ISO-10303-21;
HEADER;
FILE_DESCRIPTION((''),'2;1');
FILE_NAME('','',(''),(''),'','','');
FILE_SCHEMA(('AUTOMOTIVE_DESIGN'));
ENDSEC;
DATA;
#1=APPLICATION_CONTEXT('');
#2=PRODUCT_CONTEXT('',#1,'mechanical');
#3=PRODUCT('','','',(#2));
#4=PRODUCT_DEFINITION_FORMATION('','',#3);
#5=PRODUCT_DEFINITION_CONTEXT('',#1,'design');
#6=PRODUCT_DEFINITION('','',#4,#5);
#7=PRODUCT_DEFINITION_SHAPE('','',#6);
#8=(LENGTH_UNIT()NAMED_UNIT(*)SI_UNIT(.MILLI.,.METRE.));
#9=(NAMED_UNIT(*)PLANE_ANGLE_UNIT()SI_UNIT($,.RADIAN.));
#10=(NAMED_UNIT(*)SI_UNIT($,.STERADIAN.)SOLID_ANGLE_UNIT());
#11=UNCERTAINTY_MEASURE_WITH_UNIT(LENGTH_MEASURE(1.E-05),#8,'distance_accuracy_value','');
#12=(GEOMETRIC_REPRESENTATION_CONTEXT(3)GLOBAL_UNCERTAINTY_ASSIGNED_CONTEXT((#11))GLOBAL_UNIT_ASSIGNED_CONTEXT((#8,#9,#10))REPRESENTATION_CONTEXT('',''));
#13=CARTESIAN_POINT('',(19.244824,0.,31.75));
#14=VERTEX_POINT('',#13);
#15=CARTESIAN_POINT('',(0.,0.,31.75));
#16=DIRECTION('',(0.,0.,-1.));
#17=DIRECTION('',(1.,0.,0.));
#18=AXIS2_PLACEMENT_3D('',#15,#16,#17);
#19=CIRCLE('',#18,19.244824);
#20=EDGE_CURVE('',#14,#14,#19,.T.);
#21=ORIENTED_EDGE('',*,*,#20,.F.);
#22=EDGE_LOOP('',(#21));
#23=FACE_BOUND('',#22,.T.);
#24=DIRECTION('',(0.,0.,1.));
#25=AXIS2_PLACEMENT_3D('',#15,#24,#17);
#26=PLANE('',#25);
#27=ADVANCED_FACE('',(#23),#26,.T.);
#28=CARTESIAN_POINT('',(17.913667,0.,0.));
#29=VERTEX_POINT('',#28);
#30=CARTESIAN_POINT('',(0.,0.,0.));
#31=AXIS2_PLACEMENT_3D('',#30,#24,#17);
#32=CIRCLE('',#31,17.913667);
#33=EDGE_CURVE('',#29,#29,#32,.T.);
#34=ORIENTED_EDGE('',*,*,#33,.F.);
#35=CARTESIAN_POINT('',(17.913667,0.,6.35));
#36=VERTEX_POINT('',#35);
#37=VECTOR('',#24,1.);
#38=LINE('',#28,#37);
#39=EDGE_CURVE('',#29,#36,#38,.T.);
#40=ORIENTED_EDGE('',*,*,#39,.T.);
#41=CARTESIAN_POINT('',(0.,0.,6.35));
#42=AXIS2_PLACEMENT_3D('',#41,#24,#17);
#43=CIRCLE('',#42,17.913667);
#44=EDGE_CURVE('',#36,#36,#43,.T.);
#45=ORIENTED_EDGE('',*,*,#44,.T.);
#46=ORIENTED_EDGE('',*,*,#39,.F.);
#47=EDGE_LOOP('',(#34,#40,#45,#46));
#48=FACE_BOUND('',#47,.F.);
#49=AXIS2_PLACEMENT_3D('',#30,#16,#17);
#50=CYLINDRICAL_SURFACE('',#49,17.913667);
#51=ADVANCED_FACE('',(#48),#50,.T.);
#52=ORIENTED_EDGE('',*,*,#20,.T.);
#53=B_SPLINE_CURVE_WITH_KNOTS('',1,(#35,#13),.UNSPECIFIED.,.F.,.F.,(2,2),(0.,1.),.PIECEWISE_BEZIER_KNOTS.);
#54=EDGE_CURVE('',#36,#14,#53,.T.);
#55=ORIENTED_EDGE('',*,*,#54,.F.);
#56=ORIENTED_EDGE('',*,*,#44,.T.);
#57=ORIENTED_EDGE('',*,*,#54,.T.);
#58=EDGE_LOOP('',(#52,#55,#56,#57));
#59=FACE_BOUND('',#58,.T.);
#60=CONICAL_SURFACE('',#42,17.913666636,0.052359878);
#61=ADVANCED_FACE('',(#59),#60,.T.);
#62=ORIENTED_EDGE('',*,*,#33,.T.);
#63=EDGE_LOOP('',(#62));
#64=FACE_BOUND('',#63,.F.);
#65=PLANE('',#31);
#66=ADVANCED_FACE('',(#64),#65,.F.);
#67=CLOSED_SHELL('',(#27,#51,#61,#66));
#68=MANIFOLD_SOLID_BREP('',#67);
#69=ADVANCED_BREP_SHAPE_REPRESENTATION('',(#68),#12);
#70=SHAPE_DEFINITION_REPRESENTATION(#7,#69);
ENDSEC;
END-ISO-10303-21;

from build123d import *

# Parameters (mm, degrees)
F0_R     = 17.9136666358
F1_DEPTH = 6.35
F2_R     = 17.9136666358
F3_DEPTH = 25.4
F3_TAPER = -3


with BuildPart() as f1:
    # F0 (on Top) → F1 (new body)
    with BuildSketch(Plane.XY):
        Circle(F0_R)
    extrude(amount=F1_DEPTH)

    # F2 (on face) → F3 (join)
    with BuildSketch(Plane.XY.offset(6.35)):
        Circle(F2_R)
    extrude(amount=F3_DEPTH, taper=F3_TAPER)


solid = f1.part
